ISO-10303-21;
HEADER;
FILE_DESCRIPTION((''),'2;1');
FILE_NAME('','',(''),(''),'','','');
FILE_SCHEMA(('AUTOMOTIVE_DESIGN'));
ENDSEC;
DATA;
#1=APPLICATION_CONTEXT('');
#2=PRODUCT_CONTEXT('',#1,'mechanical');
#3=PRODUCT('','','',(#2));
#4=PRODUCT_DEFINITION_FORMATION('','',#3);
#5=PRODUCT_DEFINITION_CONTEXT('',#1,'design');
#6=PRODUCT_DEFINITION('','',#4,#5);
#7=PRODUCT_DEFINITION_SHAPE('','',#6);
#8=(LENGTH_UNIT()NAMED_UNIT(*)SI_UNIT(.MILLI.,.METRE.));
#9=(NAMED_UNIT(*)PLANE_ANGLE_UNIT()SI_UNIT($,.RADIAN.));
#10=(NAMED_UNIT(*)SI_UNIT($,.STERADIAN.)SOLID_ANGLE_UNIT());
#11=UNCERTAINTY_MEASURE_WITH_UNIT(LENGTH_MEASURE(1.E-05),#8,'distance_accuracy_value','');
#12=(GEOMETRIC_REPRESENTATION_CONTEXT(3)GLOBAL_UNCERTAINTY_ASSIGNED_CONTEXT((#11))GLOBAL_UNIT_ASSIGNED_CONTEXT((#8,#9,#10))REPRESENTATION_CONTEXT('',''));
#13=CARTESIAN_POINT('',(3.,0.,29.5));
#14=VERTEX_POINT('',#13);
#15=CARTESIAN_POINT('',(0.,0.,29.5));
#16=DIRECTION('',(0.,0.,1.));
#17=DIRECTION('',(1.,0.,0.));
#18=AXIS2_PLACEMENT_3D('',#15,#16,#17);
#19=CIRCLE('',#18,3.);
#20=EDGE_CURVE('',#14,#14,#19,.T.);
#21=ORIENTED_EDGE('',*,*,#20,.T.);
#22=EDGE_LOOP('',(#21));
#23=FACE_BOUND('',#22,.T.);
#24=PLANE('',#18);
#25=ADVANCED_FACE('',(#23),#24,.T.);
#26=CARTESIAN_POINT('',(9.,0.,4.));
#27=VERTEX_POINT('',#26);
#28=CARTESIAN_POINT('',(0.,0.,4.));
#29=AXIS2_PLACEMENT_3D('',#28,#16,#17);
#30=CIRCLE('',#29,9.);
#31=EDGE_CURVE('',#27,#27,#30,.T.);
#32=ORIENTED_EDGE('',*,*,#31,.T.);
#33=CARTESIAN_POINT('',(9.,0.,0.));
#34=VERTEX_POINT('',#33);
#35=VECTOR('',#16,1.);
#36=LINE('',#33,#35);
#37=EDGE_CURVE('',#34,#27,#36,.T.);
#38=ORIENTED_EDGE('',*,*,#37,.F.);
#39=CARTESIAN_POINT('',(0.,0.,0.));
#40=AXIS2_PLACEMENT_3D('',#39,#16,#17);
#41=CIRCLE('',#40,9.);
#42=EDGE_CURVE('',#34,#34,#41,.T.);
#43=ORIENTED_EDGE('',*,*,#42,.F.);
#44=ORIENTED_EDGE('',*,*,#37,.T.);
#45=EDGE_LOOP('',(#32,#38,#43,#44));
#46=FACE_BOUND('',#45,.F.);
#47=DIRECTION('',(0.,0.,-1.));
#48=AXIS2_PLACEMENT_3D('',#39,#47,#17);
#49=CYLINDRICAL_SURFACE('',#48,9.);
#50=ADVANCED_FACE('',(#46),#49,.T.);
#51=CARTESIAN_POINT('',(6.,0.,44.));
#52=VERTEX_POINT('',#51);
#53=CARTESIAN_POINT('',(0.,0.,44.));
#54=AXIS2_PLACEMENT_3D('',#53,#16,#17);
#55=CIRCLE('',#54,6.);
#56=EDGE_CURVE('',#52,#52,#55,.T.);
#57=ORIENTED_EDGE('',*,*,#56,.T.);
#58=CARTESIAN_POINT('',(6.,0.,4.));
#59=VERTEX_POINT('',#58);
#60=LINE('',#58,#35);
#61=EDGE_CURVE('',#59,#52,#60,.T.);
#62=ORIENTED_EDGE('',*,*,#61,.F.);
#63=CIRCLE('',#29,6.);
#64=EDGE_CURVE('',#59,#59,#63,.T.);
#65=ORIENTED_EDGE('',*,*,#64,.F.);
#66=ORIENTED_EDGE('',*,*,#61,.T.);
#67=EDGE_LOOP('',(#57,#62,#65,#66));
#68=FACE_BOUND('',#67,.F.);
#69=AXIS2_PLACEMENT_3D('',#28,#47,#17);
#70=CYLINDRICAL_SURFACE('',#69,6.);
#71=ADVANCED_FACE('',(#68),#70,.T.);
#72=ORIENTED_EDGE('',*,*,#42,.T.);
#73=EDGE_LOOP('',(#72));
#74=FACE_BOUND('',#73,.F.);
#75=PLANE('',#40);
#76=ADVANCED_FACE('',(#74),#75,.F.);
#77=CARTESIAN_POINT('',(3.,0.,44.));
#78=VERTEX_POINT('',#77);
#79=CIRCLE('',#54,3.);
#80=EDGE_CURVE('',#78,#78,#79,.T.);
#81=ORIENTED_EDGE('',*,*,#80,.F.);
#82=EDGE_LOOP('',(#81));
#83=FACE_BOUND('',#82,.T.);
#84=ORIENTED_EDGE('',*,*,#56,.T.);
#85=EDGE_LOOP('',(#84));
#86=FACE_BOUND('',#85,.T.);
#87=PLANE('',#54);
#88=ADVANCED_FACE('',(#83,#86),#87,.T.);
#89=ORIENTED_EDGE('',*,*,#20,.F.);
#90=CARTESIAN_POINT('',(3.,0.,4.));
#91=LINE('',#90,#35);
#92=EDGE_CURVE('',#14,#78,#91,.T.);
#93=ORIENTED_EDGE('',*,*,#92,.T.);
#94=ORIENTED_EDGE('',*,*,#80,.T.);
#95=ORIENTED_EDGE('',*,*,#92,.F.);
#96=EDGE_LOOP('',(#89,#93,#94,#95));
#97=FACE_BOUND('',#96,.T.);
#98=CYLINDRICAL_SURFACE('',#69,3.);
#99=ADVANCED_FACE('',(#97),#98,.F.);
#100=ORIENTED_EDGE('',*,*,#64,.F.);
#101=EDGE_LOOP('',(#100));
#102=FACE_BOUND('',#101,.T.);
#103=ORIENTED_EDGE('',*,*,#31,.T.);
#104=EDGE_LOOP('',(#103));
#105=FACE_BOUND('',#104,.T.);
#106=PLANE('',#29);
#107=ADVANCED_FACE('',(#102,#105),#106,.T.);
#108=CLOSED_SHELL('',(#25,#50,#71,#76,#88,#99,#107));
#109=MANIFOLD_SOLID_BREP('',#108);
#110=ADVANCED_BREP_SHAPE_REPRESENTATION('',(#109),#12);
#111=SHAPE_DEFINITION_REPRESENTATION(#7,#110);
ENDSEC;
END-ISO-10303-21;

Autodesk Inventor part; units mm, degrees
ref_plane "YZ Plane" through (0, 0, 0) normal (1, 0, 0) x (0, 1, 0)
ref_plane "XZ Plane" through (0, 0, 0) normal (0, 1, 0) x (-1, 0, 0)
ref_plane "XY Plane" through (0, 0, 0) normal (0, 0, 1) x (1, 0, 0)
sketch "Sketch1" plane through (0, 0, 0) normal (0, 0, 1) x (1, 0, 0)
  circle A0 centre (0, 0) radius 9
  dimension "d0" = 18
extrude "Extrusion1" add sketch "Sketch1" along normal blind 4
sketch "Sketch2" plane through (0, 0, 4) normal (0, 0, 1) x (1, 0, 0)
  circle A0 centre (0, 0) radius 6
  circle A1 centre (0, 0) radius 3
  dimension "d3" = 12
  dimension "d4" = 6
extrude "Extrusion2" add sketch "Sketch2" along normal blind 40
sketch "Sketch4" plane through (0, 0, 4) normal (0, 0, 1) x (1, 0, 0)
  circle A0 centre (0, 0) radius 3
extrude "Extrusion3" add sketch "Sketch4" along normal blind 25.5
properties part number "Adaptateur_axes"
